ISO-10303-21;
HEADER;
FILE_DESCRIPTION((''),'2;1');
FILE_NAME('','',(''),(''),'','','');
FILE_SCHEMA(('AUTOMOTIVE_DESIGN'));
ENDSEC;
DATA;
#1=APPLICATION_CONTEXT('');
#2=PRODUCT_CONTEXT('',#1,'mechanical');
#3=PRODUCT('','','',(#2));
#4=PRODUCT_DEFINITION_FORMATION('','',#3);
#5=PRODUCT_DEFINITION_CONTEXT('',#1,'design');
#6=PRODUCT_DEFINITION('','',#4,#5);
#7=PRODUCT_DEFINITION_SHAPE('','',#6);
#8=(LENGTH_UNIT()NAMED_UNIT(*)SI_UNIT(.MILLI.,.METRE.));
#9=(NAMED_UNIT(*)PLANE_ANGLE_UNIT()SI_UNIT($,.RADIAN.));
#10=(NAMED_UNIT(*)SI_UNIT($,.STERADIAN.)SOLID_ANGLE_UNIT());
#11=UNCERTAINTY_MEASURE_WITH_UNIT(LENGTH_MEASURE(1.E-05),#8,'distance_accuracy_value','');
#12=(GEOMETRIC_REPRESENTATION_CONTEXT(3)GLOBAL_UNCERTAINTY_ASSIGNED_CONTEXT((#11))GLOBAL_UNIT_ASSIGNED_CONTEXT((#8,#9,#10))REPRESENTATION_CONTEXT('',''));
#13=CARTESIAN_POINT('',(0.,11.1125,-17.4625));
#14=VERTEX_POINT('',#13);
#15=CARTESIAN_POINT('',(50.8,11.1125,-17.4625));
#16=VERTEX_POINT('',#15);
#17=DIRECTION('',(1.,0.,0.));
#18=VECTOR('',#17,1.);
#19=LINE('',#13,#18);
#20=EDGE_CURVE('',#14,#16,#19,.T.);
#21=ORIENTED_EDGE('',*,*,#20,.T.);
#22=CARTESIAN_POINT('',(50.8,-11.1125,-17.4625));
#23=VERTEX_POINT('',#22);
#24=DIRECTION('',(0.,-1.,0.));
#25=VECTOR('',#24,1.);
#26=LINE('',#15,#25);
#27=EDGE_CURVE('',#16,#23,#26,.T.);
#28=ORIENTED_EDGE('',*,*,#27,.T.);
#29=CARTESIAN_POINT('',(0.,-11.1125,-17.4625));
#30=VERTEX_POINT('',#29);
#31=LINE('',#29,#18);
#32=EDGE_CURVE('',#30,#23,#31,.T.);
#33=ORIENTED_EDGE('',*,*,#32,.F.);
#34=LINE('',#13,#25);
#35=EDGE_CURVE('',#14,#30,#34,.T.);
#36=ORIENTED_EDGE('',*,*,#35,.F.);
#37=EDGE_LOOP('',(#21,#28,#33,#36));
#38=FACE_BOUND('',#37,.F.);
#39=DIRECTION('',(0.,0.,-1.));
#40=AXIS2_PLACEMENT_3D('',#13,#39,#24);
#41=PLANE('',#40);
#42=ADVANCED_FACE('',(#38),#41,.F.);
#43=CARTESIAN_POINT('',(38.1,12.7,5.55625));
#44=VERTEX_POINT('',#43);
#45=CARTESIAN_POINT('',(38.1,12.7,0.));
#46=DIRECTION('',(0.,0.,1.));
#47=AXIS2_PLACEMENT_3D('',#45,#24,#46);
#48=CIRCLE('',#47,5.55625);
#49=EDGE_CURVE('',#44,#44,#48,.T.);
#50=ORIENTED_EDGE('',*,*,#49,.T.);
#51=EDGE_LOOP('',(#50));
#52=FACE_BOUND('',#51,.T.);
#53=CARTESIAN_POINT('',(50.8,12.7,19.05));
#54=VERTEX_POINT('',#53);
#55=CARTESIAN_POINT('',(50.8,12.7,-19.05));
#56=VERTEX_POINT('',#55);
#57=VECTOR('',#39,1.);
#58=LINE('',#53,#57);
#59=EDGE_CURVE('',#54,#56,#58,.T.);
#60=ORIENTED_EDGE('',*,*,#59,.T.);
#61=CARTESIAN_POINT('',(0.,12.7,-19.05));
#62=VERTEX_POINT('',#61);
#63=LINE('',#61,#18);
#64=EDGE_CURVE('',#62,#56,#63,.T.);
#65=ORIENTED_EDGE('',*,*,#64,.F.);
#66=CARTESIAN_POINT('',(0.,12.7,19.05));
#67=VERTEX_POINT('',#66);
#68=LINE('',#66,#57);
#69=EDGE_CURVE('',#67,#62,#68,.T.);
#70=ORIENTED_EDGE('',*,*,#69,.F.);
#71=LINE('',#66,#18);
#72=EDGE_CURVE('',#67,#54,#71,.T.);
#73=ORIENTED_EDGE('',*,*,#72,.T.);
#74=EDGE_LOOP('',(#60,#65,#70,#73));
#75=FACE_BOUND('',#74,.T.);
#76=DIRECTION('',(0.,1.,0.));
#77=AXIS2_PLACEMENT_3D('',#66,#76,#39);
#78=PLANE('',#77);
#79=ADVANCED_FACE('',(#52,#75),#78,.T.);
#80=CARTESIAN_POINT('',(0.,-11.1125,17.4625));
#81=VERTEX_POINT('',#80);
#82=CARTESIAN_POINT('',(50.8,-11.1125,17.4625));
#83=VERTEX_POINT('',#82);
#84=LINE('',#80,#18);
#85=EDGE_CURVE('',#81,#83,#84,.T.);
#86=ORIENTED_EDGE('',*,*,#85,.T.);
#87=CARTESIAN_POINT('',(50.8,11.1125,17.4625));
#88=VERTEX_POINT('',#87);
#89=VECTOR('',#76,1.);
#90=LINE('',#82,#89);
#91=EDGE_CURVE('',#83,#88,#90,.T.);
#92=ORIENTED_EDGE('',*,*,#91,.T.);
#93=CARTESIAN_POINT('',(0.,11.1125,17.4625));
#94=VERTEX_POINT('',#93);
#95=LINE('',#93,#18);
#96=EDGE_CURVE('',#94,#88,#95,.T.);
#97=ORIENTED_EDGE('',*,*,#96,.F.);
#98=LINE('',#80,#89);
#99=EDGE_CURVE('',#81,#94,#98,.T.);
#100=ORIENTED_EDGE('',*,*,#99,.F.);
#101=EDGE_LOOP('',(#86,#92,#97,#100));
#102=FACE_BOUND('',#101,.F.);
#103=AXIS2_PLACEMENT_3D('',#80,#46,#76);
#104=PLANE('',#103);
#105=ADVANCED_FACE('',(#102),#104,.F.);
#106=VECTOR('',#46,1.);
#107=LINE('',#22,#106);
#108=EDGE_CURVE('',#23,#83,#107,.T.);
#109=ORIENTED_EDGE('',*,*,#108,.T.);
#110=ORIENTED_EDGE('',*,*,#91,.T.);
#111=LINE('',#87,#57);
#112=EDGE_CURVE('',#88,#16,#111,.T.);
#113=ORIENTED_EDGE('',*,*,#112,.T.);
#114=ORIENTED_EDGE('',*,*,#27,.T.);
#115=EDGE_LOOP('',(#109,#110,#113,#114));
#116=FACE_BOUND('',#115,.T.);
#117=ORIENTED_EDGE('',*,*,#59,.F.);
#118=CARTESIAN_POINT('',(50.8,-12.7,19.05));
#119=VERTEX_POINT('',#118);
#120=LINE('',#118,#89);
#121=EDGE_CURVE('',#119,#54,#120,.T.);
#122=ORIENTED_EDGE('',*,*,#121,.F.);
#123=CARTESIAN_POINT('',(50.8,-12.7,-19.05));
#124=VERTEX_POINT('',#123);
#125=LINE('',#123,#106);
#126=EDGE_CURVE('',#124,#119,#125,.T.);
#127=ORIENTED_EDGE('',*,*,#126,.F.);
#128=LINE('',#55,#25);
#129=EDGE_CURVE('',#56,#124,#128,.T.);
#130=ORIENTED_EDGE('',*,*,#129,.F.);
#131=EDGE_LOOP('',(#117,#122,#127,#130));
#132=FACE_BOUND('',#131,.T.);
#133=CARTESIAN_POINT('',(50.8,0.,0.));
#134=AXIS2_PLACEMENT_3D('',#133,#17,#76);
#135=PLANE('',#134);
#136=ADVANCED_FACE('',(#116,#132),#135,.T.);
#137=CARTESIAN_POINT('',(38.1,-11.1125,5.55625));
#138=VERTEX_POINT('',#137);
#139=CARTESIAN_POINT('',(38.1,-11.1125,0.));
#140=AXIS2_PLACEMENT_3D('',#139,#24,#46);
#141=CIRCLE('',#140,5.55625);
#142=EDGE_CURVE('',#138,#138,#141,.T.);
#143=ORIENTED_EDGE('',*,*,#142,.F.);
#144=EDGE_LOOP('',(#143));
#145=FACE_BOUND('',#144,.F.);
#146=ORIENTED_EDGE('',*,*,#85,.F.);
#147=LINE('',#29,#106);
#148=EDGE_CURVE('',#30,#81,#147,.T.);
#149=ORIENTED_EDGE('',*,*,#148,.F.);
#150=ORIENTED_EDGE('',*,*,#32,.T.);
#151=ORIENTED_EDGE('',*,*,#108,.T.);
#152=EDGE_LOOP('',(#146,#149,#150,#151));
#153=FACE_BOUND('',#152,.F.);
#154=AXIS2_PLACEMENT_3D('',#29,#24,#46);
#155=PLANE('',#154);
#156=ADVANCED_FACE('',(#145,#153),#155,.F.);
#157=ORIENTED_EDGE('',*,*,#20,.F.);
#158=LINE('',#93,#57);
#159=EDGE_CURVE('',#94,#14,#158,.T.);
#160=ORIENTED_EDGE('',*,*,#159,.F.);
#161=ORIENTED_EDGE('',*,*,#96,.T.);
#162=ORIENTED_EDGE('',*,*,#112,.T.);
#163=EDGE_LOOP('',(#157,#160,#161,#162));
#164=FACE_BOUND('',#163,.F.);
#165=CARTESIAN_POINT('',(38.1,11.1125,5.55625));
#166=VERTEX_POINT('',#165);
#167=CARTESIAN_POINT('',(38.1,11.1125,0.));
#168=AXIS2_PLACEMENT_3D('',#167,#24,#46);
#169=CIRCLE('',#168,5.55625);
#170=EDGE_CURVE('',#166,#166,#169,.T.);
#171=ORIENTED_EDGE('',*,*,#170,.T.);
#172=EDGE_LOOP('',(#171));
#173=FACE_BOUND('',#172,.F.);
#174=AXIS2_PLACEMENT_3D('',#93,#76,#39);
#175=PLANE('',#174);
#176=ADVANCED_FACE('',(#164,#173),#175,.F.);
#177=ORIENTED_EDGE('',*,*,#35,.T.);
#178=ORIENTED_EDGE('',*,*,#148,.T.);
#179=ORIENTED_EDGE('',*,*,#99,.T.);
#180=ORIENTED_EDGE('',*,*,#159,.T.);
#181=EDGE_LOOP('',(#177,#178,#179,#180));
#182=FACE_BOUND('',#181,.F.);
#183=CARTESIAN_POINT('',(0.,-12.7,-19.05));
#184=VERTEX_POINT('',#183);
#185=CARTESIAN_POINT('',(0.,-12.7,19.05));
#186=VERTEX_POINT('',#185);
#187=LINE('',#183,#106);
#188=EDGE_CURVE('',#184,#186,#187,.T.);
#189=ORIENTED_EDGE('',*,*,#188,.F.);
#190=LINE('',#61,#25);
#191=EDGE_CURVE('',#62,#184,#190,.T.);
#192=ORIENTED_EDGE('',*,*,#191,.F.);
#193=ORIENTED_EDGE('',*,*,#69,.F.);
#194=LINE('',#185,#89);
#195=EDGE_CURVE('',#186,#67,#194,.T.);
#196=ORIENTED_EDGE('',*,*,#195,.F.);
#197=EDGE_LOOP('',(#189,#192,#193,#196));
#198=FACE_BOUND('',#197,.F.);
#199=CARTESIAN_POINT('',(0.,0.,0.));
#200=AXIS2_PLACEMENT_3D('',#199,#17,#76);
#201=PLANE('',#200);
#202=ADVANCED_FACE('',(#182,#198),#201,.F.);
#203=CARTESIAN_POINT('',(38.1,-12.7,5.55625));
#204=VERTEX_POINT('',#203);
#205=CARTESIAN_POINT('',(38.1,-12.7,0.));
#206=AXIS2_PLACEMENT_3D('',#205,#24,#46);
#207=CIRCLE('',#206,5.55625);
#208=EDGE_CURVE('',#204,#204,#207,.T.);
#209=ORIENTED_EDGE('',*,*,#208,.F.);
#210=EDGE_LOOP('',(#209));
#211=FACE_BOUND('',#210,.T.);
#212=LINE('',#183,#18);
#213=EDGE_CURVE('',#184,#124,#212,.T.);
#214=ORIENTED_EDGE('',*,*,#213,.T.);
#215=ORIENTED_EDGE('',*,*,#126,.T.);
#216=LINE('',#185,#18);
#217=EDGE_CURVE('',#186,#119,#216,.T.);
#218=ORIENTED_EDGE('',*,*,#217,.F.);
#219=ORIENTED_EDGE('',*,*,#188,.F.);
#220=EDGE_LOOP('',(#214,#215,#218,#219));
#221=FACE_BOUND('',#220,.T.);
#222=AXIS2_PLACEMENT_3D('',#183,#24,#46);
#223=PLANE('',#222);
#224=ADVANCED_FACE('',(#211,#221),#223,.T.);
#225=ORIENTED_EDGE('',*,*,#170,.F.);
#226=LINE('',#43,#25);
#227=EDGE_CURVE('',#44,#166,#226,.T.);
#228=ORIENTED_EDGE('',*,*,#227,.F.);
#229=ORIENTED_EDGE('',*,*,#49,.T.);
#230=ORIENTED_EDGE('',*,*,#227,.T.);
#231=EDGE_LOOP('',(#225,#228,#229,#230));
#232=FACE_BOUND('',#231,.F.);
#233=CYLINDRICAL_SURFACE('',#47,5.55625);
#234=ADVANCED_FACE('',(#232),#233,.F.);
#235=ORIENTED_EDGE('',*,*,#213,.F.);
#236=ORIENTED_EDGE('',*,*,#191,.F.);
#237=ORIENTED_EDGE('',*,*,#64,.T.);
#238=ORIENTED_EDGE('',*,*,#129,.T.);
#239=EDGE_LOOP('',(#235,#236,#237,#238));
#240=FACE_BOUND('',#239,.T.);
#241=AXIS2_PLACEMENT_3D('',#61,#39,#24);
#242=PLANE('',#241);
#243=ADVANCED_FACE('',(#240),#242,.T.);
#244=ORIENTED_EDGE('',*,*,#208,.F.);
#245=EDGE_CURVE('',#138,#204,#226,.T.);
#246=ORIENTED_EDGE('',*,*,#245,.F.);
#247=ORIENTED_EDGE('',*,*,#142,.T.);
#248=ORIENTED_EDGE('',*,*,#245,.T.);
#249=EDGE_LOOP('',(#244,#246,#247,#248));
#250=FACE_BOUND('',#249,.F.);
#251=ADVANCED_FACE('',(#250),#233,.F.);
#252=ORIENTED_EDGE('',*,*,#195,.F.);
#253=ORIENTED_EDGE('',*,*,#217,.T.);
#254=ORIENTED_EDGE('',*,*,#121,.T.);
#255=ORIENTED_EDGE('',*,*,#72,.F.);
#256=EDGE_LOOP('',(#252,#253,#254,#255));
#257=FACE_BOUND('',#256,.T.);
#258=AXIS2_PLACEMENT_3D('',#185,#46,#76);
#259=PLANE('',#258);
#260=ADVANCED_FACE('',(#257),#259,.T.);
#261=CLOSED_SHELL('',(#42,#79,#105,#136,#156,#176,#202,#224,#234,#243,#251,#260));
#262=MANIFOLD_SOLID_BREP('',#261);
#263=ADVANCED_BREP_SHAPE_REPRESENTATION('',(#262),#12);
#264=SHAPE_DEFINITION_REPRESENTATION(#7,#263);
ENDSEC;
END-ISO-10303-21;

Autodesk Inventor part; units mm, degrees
ref_plane "Work Plane3" through (0, 12.7, 0) normal (0, 1, 0) x (-1, 0, 0)
ref_plane "Start Plane" through (0, 0, 0) normal (1, 0, 0) x (0, 1, 0)
ref_plane "End Plane" through (50.8, 0, 0) normal (1, 0, 0) x (0, 1, 0)
sketch "Sketch" plane through (0, 0, 0) normal (1, 0, 0) x (0, 1, 0)
  line L0 (-12.7, 19.05) -> (12.7, 19.05)
  line L1 (12.7, 19.05) -> (12.7, -19.05)
  line L2 (12.7, -19.05) -> (-12.7, -19.05)
  line L3 (-12.7, -19.05) -> (-12.7, 19.05)
  line L4 (-12.7, 19.05) -> (12.7, -19.05) construction
  line L5 (12.7, 19.05) -> (-12.7, -19.05) construction
  line L6 (-11.1125, 17.4625) -> (11.1125, 17.4625)
  line L7 (11.1125, 17.4625) -> (11.1125, -17.4625)
  line L8 (11.1125, -17.4625) -> (-11.1125, -17.4625)
  line L9 (-11.1125, -17.4625) -> (-11.1125, 17.4625)
  line L10 (-11.1125, 17.4625) -> (11.1125, -17.4625) construction
  line L11 (11.1125, 17.4625) -> (-11.1125, -17.4625) construction
  point P0 (0, 0)
  dimension "d0" = 38.1
  dimension "d1" = 25.4
  dimension "d2" = 1.5875
  dimension "d3" = 1.5875
extrude "Body" add sketch "Sketch" along normal up to surface (50.8 mm away) from surface at 0
sketch "Sketch8" plane through (0, 0, 0) normal (1, 0, 0) x (0, 1, 0)
  line L0 (0, 0) -> (10, 0)
ref_plane "Work Plane6" through (0, 0, 0) normal (0, 0, -1) x (0, 1, 0)
sketch "Sketch9" plane through (0, 0, 0) normal (0, 0, -1) x (0, 1, 0)
  line L0 (-17.78, 0) -> (17.78, 0)
  line L1 (-17.78, 50.8) -> (17.78, 50.8)
  dimension "d21" = 50.8
sketch "Sketch5" plane through (0, 12.7, -19.05) normal (0, 1, 0) x (1, 0, 0)
  line L0 (0, -38.1) -> (0, 0) projected
  point P0 (0, -19.05)
  point P1 (38.1, -19.05)
  dimension "d22" = 38.1
hole "Hole2" at (38.1, 12.7, 0) direction (0, -1, 0) diameter 11.1125 end through all
equation "\"d3\" = d2"
equation "\"G_OFFSET_START\" = 0"
equation "\"G_OFFSET_END\" = 0"
equation "\"d17\" = d4 + G_OFFSET_END"
equation "\"G_L\" = d21"
equation "\"d4\" = 50.8"
properties part number "1605682847176"
